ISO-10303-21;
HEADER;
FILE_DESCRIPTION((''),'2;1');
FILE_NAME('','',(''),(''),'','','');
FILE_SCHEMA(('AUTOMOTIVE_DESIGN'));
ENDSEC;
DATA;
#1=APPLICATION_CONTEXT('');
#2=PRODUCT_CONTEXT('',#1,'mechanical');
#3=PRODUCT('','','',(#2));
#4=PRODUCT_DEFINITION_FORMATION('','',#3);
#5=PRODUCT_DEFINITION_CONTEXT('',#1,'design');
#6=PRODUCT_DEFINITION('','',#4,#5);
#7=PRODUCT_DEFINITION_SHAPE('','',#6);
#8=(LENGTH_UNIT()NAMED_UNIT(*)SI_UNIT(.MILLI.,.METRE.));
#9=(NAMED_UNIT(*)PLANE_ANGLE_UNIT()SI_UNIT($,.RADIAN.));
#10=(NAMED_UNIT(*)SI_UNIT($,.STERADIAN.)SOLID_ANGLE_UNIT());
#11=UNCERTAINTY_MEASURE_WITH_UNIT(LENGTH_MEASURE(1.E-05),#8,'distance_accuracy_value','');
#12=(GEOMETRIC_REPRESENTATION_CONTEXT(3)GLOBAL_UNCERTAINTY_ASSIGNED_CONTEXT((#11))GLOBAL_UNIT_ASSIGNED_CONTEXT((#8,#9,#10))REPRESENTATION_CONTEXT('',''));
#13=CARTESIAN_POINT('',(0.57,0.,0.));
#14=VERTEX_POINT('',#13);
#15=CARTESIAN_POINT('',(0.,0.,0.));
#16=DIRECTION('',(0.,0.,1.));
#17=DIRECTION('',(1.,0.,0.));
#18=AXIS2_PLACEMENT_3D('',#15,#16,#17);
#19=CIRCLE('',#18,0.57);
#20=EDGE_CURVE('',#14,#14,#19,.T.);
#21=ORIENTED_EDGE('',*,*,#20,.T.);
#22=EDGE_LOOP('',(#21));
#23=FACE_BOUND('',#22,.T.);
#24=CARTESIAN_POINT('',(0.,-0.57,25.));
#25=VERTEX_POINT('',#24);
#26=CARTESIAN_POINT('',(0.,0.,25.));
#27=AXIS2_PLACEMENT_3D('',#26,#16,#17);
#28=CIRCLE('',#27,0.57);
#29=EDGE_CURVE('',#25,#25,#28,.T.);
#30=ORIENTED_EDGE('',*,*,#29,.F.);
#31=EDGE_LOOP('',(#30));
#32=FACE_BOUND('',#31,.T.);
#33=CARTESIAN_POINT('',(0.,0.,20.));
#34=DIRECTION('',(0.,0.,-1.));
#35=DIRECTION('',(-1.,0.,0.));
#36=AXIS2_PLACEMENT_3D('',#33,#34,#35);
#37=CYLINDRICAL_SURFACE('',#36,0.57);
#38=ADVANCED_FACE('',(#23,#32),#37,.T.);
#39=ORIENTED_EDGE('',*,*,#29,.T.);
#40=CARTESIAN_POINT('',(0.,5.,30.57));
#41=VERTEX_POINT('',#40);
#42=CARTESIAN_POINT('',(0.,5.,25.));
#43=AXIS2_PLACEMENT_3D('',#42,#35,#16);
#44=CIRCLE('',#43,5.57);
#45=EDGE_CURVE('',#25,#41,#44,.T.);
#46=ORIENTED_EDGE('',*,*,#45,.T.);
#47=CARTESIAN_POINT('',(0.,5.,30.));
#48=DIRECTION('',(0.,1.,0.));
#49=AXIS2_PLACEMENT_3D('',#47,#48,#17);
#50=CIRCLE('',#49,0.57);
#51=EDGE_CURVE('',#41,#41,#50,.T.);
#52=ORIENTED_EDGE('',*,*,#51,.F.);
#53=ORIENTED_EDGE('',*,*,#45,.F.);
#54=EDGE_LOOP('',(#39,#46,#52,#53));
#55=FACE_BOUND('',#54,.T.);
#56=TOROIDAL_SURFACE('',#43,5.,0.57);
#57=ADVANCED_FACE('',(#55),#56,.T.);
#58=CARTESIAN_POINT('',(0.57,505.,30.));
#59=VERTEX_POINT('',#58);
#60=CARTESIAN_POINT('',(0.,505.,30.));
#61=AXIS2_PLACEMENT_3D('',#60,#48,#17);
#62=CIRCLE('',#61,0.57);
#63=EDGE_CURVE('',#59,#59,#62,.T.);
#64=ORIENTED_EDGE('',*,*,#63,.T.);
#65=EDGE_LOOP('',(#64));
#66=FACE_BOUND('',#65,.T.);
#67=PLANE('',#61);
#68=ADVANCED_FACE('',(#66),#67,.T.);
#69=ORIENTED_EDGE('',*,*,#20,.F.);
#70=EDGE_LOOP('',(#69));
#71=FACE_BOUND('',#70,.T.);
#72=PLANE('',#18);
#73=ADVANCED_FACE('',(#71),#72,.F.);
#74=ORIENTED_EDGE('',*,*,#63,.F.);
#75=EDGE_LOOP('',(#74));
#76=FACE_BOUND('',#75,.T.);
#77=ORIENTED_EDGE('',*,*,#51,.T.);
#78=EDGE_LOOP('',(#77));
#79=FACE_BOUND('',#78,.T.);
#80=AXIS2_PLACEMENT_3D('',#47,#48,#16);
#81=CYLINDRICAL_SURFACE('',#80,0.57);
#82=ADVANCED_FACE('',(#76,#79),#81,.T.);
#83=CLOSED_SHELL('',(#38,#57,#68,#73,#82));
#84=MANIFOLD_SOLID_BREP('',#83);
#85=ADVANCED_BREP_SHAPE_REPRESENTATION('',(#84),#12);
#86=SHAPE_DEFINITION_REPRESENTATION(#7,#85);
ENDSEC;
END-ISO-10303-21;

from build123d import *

# Parameters (mm, degrees)
SKETCH_1_R      = 0.57
EXTRUDE_1_DEPTH = 20
SKETCH_2_R      = 0.57


with BuildPart() as part:
    # ｽｹｯﾁ1 → ﾎﾞｽ - 押し出し1 (new body)
    with BuildSketch(Plane.XY):
        Circle(SKETCH_1_R)
    extrude(amount=EXTRUDE_1_DEPTH)

    # ｽｲｰﾌﾟ1: sweep along a path in ｽｹｯﾁ3
    with BuildLine(Plane(origin=(0, 0, 0), x_dir=(0, 0, -1), z_dir=(1, 0, 0))) as sweep_1_path:
        Line((-20, 0), (-25, 0))
        ThreePointArc((-25, 0), (-28.535533906, 1.464466094), (-30, 5))
        Line((-30, 5), (-30, 505))
    # ｽｹｯﾁ2 → ｽｲｰﾌﾟ1 (sweep)
    with BuildSketch(Plane.XY.offset(20)):
        Circle(SKETCH_2_R)
    sweep(path=sweep_1_path.line)


solid = part.part
